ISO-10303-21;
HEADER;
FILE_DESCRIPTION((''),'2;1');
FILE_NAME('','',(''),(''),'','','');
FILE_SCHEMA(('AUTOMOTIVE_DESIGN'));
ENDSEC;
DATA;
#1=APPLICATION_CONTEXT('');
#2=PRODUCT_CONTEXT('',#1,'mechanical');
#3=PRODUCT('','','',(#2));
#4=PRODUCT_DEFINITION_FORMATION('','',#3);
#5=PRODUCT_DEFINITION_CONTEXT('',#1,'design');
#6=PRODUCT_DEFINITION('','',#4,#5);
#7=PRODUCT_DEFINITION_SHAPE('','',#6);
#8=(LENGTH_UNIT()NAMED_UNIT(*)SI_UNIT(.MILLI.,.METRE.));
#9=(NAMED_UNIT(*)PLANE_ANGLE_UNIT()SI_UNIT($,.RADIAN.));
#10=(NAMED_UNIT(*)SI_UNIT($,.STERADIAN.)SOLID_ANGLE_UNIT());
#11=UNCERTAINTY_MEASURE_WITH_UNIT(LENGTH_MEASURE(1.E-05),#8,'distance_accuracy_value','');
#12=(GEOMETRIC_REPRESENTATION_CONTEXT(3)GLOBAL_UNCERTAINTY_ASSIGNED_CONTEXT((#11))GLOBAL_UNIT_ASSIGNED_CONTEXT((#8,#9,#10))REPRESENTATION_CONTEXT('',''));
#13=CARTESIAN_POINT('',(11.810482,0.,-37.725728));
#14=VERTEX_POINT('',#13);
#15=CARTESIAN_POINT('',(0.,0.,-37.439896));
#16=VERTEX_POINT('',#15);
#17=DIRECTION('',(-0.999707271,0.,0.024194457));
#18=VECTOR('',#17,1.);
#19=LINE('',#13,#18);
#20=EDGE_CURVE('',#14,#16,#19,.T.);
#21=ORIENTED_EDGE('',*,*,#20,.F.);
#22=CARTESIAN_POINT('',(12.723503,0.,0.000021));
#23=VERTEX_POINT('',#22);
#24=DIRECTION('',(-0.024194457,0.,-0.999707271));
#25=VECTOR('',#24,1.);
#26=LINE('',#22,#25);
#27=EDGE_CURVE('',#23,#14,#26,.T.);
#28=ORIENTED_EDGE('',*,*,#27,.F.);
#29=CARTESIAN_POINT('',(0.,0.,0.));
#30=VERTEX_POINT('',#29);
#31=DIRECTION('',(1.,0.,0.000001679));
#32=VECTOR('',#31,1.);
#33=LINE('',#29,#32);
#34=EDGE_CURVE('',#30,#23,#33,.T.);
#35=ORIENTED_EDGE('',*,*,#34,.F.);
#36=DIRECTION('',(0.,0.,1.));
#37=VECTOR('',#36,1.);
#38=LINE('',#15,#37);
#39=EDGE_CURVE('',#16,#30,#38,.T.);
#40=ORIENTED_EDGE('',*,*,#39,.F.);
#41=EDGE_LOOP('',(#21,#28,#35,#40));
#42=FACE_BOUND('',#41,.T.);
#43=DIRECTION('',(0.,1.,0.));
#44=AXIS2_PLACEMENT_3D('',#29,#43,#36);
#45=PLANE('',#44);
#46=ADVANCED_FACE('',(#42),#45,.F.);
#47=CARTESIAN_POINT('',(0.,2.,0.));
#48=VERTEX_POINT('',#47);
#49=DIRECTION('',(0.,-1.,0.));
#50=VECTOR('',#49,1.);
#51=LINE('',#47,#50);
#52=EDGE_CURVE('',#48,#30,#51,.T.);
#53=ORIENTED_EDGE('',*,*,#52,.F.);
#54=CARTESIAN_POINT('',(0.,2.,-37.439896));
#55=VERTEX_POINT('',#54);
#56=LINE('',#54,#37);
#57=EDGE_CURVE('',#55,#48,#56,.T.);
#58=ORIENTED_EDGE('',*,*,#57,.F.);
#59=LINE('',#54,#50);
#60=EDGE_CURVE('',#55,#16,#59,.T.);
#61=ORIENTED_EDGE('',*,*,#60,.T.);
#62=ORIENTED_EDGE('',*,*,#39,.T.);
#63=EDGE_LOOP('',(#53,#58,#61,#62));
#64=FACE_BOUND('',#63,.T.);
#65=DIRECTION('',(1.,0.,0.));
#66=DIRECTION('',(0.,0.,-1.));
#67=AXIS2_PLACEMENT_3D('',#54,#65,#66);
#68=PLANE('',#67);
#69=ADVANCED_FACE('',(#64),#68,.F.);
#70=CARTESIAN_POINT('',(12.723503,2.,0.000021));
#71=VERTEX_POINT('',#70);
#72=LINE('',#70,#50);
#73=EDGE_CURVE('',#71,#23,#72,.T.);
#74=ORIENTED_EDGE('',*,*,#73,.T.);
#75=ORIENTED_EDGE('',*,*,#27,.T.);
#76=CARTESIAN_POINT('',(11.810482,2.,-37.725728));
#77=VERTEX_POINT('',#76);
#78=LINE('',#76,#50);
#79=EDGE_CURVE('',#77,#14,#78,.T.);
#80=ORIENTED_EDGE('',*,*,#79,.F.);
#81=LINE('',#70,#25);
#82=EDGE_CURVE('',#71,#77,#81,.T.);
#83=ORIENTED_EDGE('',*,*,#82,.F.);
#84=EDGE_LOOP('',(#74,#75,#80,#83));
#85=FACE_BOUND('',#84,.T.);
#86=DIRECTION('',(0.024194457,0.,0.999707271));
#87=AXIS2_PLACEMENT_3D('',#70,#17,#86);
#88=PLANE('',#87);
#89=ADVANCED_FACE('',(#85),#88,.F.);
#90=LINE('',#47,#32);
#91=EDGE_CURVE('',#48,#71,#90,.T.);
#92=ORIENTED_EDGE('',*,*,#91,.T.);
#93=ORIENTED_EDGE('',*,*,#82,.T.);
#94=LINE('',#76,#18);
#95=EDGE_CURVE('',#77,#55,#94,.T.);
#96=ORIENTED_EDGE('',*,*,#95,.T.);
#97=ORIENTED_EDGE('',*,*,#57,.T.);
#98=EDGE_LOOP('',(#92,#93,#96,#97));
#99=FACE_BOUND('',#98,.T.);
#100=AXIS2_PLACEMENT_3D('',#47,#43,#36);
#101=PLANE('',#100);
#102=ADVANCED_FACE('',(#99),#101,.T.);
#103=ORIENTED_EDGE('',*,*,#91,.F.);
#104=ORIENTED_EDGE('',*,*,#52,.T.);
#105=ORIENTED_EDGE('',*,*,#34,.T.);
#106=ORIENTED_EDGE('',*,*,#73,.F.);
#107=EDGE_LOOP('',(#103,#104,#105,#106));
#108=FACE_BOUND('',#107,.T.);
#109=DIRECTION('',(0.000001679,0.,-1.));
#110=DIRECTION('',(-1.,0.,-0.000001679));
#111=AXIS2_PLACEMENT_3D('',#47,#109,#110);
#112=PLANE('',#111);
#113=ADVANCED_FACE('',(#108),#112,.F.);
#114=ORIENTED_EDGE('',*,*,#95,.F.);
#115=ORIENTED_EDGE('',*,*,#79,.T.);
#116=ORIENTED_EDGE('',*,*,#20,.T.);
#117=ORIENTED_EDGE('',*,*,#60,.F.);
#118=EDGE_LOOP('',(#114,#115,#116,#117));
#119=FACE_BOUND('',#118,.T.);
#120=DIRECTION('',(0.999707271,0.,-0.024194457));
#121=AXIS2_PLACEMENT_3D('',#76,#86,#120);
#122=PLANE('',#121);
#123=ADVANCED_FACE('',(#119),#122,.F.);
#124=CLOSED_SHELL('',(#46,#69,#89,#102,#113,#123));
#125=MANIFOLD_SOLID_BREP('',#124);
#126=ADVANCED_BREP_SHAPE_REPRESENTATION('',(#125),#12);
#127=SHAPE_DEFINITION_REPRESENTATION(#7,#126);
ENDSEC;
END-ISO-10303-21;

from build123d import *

# Parameters (mm, degrees)
BOSS_EXTRU_1_DEPTH = 2


with BuildPart() as part:
    # Esquisse1 → Boss.-Extru.1 (new body)
    with BuildSketch(Plane(origin=(0, 0, 0), x_dir=(1, 0, 0), z_dir=(0, 1, 0))):
        Polygon((0, 0), (12.723503216, -2.136e-05), (11.810481919, 37.725728292), (0, 37.439896423), align=None)
    extrude(amount=BOSS_EXTRU_1_DEPTH)


solid = part.part
